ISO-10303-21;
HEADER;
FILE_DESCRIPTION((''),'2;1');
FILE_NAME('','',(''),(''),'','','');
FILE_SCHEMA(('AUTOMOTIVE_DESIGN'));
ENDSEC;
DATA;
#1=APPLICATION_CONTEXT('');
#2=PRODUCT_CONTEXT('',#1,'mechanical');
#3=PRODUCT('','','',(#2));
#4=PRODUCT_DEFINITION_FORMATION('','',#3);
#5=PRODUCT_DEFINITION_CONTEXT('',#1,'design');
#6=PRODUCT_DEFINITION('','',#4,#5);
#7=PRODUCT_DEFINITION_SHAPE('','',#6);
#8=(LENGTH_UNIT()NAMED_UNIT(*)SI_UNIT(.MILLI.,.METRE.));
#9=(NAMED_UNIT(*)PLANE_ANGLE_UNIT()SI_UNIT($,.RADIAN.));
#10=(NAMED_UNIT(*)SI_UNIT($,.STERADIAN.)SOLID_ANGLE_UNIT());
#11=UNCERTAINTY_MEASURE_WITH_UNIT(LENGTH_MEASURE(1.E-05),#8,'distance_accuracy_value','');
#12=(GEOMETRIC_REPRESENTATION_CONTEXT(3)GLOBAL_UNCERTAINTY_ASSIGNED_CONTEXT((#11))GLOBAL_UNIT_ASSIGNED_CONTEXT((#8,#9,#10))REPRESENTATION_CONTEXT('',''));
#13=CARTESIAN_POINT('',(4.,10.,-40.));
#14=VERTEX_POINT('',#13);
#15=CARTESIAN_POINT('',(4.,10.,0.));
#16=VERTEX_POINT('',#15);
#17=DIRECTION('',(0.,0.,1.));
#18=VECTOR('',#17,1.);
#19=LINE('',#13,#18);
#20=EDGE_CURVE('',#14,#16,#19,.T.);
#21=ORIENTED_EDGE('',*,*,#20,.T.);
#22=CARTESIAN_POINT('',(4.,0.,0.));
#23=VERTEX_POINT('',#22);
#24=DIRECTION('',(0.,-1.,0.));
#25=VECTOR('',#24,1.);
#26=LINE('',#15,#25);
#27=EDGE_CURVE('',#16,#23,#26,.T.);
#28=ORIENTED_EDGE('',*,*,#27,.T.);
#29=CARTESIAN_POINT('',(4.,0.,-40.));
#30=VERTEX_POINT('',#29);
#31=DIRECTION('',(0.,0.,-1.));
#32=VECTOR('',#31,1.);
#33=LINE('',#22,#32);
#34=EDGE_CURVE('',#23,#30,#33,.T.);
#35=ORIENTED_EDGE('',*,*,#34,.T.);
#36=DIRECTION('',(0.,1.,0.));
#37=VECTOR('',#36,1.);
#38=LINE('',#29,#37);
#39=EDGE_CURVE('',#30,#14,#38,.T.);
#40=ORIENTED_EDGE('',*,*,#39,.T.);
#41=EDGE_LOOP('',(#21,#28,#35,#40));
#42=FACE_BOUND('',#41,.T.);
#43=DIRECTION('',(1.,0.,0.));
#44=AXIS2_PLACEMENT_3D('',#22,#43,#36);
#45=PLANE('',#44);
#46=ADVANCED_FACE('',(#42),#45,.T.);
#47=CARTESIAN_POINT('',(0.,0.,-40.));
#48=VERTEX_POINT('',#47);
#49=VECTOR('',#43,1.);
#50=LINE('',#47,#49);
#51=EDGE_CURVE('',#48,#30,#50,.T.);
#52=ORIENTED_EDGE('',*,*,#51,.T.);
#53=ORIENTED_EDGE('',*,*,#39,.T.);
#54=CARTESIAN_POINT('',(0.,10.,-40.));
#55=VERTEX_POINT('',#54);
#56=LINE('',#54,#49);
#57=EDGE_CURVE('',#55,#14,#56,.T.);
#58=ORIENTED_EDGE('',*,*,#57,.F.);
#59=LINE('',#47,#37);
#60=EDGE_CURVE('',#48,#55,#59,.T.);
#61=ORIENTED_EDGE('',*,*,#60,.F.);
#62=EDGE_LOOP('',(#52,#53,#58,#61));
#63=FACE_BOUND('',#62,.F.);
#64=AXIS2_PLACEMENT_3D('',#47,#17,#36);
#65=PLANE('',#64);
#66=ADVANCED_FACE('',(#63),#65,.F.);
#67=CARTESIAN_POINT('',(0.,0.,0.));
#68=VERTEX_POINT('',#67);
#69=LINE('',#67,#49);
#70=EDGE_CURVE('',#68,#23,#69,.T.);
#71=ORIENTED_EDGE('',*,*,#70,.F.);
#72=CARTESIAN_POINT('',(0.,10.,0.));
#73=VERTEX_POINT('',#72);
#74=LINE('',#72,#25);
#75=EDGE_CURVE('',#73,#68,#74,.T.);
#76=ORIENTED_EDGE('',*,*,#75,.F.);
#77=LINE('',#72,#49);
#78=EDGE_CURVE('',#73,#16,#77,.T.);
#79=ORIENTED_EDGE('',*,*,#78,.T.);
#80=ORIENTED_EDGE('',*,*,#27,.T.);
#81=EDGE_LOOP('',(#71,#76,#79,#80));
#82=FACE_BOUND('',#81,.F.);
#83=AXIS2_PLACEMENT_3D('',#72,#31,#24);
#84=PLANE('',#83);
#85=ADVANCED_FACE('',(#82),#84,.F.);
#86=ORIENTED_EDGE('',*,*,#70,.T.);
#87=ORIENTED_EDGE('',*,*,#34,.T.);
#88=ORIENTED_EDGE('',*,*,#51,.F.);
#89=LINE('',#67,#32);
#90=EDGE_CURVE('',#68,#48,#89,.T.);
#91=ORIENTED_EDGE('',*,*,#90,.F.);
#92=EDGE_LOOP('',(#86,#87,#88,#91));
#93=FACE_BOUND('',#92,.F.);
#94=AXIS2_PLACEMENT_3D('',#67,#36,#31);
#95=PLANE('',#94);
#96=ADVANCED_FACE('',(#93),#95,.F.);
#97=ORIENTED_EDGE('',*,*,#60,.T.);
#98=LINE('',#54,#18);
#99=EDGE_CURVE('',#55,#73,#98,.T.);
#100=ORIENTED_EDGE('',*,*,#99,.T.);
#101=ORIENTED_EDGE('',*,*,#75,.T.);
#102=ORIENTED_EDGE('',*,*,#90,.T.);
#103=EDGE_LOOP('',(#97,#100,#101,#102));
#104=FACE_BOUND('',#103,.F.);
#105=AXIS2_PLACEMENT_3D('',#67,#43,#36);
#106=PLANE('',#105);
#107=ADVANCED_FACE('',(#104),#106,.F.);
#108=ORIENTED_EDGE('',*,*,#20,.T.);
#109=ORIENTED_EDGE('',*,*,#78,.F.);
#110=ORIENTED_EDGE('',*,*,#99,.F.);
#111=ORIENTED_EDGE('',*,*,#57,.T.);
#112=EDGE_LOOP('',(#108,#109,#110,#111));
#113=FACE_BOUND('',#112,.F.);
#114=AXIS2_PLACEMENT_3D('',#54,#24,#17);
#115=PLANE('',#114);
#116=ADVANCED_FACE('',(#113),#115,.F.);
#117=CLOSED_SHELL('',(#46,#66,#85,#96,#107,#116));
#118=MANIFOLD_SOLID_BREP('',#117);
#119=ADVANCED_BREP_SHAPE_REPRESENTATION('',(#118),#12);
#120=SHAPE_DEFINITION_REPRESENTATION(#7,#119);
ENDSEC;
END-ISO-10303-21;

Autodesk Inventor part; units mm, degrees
ref_plane "YZ Plane" through (0, 0, 0) normal (1, 0, 0) x (0, 1, 0)
ref_plane "XZ Plane" through (0, 0, 0) normal (0, 1, 0) x (-1, 0, 0)
ref_plane "XY Plane" through (0, 0, 0) normal (0, 0, 1) x (1, 0, 0)
sketch "Szkic1" plane through (0, 0, 0) normal (1, 0, 0) x (0, 1, 0)
  line L0 (0, 0) -> (0, -40)
  line L1 (0, -40) -> (10, -40)
  line L2 (10, -40) -> (10, 0)
  line L3 (10, 0) -> (0, 0)
  dimension "d0" = 40
  dimension "d1" = 10
extrude "Wyciągnięcie proste1" add sketch "Szkic1" along normal blind 4
properties part number "sfth7773"
